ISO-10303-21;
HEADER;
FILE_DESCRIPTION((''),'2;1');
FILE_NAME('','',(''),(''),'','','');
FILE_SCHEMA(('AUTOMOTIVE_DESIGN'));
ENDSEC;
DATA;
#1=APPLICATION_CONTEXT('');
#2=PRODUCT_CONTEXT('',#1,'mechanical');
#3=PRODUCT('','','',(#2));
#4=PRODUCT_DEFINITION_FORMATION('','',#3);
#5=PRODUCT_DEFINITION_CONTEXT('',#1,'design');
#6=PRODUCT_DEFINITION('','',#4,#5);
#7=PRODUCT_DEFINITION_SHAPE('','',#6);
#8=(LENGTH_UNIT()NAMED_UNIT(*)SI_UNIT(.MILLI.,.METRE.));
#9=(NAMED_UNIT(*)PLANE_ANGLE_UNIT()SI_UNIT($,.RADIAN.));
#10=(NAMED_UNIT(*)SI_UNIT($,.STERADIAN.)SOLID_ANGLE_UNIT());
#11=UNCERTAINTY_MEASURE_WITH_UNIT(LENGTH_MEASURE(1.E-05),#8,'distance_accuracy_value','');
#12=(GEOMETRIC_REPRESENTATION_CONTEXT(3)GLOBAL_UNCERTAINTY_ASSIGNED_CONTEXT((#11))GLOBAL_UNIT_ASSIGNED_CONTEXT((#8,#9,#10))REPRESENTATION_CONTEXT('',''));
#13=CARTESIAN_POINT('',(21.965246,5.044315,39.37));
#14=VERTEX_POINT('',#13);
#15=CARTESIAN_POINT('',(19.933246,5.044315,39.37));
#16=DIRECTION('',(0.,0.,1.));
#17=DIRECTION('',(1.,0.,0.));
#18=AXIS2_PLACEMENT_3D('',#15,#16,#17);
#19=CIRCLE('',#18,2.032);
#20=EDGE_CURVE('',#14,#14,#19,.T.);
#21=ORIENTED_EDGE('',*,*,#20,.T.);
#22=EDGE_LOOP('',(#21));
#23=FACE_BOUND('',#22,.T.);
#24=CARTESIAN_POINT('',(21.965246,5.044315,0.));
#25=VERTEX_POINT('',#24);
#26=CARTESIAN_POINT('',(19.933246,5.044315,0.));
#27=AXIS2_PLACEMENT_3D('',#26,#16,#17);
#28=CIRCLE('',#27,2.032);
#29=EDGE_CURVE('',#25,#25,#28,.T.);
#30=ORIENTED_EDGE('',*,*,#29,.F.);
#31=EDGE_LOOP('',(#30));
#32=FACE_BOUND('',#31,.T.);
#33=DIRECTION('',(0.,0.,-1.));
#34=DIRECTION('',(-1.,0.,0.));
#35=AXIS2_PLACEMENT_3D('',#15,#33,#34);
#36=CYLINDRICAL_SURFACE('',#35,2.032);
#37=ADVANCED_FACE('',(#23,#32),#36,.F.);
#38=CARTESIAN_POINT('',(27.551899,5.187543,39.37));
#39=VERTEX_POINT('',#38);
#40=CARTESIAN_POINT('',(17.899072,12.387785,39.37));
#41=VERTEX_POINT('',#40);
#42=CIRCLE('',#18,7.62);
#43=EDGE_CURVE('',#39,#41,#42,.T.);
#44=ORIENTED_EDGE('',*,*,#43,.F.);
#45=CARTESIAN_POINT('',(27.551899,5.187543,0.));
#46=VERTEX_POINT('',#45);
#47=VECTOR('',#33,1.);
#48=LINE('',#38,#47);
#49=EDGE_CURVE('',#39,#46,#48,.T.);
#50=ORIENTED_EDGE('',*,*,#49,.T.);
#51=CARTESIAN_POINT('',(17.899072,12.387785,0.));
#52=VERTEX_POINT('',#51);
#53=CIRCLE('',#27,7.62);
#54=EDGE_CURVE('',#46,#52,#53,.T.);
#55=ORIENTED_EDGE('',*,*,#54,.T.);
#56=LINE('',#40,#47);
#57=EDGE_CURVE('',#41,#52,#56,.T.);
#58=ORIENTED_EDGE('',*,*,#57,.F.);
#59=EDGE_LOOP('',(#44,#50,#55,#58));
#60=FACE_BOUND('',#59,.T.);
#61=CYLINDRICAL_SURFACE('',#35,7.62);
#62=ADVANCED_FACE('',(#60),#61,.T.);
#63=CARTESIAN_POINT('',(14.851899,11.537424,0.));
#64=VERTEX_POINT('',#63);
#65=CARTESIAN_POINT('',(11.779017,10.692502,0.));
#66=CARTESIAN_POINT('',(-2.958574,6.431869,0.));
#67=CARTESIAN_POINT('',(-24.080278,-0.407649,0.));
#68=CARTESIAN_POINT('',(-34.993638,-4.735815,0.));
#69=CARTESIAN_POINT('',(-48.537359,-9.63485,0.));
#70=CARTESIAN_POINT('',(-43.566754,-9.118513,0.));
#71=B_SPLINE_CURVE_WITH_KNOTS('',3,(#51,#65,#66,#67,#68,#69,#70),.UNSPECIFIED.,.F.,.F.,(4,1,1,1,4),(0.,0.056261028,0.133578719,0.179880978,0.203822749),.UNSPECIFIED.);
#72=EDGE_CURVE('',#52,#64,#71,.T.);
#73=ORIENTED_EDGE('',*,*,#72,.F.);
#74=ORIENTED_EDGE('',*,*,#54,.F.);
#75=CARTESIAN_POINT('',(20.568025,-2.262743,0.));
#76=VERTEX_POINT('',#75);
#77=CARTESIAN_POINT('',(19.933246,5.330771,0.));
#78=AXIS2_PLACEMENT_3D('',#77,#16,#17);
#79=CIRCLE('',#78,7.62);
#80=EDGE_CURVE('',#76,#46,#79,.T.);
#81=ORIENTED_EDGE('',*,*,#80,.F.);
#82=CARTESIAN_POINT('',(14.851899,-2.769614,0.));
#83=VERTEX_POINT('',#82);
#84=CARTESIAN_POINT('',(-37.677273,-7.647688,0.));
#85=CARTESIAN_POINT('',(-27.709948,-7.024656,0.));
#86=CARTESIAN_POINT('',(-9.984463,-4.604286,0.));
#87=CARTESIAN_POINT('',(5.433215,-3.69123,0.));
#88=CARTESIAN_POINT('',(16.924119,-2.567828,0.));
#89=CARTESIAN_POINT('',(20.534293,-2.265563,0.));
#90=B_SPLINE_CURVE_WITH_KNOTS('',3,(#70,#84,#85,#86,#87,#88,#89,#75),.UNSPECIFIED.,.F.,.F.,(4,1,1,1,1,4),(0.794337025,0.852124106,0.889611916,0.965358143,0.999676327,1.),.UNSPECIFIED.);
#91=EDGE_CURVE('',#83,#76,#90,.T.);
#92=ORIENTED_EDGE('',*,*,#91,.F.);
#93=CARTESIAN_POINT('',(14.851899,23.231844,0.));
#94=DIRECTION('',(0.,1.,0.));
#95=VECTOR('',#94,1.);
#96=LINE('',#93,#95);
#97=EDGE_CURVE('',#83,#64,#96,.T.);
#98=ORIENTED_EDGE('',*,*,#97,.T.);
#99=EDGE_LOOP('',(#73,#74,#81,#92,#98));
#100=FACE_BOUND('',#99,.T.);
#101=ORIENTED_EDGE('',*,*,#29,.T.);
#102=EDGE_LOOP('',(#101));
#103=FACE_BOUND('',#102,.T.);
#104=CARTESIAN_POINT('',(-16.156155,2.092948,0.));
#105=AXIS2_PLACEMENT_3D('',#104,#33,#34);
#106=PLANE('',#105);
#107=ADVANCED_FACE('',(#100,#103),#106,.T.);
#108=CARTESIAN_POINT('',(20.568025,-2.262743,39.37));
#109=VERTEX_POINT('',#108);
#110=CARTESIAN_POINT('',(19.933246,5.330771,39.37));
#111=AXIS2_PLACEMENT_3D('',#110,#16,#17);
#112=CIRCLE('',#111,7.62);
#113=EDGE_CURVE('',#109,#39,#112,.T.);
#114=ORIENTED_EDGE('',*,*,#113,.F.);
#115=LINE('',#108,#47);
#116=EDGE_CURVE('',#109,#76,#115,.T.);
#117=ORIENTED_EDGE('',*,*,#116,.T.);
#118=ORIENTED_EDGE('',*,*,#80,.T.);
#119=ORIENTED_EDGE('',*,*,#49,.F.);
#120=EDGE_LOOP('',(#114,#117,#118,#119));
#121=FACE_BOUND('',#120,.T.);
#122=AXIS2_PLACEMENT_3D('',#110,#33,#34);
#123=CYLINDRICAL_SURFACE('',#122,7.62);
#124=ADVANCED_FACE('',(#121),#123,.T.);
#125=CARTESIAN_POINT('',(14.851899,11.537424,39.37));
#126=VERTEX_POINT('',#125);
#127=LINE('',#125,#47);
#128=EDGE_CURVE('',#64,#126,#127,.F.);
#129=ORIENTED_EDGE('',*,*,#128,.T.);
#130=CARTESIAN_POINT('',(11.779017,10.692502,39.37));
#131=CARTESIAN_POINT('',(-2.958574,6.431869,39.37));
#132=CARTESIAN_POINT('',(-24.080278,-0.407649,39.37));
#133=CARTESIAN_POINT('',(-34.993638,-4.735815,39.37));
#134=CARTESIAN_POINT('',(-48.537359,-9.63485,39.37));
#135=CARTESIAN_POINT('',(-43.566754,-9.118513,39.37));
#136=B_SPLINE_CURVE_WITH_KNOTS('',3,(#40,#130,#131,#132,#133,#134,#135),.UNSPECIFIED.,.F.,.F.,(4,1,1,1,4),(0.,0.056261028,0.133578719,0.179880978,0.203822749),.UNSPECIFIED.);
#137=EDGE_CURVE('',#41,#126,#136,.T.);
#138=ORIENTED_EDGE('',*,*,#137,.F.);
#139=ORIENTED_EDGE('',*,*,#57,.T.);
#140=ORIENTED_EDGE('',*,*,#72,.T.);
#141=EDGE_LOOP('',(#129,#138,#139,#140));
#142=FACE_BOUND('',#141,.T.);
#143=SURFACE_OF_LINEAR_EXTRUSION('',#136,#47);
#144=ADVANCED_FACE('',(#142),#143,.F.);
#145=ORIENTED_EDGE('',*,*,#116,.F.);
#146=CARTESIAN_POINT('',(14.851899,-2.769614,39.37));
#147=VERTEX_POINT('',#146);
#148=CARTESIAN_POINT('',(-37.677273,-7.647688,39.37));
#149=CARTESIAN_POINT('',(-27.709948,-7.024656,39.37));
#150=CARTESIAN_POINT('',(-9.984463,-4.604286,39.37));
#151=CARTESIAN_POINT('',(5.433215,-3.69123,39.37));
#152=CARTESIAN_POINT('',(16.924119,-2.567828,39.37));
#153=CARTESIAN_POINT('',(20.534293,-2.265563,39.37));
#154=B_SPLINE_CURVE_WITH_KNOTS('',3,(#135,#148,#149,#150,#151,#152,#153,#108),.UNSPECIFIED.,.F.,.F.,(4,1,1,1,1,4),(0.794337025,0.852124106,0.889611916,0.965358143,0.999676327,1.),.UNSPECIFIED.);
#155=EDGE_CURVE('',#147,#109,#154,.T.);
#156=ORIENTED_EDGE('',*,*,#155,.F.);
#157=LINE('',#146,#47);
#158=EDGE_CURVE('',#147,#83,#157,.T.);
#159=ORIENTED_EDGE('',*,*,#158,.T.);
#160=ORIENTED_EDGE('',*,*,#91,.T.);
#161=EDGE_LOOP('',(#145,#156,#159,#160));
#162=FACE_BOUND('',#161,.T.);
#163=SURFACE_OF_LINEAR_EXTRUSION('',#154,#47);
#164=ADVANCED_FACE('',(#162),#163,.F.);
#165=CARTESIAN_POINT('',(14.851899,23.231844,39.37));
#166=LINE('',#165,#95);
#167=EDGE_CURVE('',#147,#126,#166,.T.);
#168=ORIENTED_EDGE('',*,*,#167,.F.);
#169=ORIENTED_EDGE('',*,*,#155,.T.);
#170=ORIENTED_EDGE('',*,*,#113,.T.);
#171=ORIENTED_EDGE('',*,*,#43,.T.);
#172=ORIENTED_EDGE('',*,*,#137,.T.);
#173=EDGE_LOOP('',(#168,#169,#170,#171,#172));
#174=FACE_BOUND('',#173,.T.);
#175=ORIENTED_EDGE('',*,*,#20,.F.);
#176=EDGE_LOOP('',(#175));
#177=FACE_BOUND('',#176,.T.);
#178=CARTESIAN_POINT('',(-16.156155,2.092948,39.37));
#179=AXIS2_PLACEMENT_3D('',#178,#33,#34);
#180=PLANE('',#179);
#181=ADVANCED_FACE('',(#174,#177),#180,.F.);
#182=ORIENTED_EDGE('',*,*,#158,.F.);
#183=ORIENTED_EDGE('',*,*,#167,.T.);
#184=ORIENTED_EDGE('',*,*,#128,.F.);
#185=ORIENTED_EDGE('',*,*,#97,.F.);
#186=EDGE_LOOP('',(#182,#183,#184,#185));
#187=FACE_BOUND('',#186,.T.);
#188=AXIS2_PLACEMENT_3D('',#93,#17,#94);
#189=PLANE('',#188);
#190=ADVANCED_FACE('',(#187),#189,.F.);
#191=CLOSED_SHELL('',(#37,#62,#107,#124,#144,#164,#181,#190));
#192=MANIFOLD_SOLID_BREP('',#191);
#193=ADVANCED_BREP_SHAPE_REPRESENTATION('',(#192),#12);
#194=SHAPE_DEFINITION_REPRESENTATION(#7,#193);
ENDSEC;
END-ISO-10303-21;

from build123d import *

# Parameters (mm, degrees)
SKETCH1_R               = 2.032
BOSS_EXTRUDE1_DEPTH     = 39.37
CUT_EXTRUDE2_DEPTH      = 62.664828162
CUT_EXTRUDE2_DEPTH_BACK = 62.664828162
SKETCH3_W               = 64.931431167
SKETCH3_H               = 41.251540677


with BuildPart() as part:
    # Sketch1 → Boss-Extrude1 (new body)
    with BuildSketch(Plane.XY):
        with BuildLine():
            ThreePointArc((20.568025107, -2.262743193), (25.492605461, 0.119444869), (27.551899423, 5.187543131))
            ThreePointArc((27.551899423, 5.187543131), (24.489282859, 11.152254923), (17.899072442, 12.38778462))
            add(Edge.make_bspline(
                [(17.899072442, 12.38778462), (11.779016726, 10.69250234), (-2.958574168, 6.431868525), (-24.080278159, -0.407648755), (-34.99363821, -4.735815006), (-48.537358713, -9.634849887), (-43.566754384, -9.118513058)],
                knots=[0, 0, 0, 0, 0.056261028, 0.133578719, 0.179880978, 0.203822749, 0.203822749, 0.203822749, 0.203822749], degree=3))
            add(Edge.make_bspline(
                [(-43.566754384, -9.118513058), (-37.677273054, -7.647687935), (-27.709948033, -7.024655832), (-9.984463479, -4.604286441), (5.433214693, -3.691229751), (16.924119008, -2.567827505), (20.534293367, -2.265562996), (20.568025107, -2.262743193)],
                knots=[0.794337025, 0.794337025, 0.794337025, 0.794337025, 0.852124106, 0.889611916, 0.965358143, 0.999676327, 1, 1, 1, 1], degree=3))
        make_face()
        with Locations((19.933245616, 5.044315447)):
            Circle(SKETCH1_R, mode=Mode.SUBTRACT)
    extrude(amount=BOSS_EXTRUDE1_DEPTH)

    # Sketch3 → Cut-Extrude2 (cut, two sides: drawn at the far end of the back side and taken through both)
    with BuildSketch(Plane.XY.offset(39.37).offset(-CUT_EXTRUDE2_DEPTH_BACK)):
        with Locations((-17.613816161, 2.606074021)):
            Rectangle(SKETCH3_W, SKETCH3_H)
    extrude(amount=CUT_EXTRUDE2_DEPTH + CUT_EXTRUDE2_DEPTH_BACK, mode=Mode.SUBTRACT)


solid = part.part
